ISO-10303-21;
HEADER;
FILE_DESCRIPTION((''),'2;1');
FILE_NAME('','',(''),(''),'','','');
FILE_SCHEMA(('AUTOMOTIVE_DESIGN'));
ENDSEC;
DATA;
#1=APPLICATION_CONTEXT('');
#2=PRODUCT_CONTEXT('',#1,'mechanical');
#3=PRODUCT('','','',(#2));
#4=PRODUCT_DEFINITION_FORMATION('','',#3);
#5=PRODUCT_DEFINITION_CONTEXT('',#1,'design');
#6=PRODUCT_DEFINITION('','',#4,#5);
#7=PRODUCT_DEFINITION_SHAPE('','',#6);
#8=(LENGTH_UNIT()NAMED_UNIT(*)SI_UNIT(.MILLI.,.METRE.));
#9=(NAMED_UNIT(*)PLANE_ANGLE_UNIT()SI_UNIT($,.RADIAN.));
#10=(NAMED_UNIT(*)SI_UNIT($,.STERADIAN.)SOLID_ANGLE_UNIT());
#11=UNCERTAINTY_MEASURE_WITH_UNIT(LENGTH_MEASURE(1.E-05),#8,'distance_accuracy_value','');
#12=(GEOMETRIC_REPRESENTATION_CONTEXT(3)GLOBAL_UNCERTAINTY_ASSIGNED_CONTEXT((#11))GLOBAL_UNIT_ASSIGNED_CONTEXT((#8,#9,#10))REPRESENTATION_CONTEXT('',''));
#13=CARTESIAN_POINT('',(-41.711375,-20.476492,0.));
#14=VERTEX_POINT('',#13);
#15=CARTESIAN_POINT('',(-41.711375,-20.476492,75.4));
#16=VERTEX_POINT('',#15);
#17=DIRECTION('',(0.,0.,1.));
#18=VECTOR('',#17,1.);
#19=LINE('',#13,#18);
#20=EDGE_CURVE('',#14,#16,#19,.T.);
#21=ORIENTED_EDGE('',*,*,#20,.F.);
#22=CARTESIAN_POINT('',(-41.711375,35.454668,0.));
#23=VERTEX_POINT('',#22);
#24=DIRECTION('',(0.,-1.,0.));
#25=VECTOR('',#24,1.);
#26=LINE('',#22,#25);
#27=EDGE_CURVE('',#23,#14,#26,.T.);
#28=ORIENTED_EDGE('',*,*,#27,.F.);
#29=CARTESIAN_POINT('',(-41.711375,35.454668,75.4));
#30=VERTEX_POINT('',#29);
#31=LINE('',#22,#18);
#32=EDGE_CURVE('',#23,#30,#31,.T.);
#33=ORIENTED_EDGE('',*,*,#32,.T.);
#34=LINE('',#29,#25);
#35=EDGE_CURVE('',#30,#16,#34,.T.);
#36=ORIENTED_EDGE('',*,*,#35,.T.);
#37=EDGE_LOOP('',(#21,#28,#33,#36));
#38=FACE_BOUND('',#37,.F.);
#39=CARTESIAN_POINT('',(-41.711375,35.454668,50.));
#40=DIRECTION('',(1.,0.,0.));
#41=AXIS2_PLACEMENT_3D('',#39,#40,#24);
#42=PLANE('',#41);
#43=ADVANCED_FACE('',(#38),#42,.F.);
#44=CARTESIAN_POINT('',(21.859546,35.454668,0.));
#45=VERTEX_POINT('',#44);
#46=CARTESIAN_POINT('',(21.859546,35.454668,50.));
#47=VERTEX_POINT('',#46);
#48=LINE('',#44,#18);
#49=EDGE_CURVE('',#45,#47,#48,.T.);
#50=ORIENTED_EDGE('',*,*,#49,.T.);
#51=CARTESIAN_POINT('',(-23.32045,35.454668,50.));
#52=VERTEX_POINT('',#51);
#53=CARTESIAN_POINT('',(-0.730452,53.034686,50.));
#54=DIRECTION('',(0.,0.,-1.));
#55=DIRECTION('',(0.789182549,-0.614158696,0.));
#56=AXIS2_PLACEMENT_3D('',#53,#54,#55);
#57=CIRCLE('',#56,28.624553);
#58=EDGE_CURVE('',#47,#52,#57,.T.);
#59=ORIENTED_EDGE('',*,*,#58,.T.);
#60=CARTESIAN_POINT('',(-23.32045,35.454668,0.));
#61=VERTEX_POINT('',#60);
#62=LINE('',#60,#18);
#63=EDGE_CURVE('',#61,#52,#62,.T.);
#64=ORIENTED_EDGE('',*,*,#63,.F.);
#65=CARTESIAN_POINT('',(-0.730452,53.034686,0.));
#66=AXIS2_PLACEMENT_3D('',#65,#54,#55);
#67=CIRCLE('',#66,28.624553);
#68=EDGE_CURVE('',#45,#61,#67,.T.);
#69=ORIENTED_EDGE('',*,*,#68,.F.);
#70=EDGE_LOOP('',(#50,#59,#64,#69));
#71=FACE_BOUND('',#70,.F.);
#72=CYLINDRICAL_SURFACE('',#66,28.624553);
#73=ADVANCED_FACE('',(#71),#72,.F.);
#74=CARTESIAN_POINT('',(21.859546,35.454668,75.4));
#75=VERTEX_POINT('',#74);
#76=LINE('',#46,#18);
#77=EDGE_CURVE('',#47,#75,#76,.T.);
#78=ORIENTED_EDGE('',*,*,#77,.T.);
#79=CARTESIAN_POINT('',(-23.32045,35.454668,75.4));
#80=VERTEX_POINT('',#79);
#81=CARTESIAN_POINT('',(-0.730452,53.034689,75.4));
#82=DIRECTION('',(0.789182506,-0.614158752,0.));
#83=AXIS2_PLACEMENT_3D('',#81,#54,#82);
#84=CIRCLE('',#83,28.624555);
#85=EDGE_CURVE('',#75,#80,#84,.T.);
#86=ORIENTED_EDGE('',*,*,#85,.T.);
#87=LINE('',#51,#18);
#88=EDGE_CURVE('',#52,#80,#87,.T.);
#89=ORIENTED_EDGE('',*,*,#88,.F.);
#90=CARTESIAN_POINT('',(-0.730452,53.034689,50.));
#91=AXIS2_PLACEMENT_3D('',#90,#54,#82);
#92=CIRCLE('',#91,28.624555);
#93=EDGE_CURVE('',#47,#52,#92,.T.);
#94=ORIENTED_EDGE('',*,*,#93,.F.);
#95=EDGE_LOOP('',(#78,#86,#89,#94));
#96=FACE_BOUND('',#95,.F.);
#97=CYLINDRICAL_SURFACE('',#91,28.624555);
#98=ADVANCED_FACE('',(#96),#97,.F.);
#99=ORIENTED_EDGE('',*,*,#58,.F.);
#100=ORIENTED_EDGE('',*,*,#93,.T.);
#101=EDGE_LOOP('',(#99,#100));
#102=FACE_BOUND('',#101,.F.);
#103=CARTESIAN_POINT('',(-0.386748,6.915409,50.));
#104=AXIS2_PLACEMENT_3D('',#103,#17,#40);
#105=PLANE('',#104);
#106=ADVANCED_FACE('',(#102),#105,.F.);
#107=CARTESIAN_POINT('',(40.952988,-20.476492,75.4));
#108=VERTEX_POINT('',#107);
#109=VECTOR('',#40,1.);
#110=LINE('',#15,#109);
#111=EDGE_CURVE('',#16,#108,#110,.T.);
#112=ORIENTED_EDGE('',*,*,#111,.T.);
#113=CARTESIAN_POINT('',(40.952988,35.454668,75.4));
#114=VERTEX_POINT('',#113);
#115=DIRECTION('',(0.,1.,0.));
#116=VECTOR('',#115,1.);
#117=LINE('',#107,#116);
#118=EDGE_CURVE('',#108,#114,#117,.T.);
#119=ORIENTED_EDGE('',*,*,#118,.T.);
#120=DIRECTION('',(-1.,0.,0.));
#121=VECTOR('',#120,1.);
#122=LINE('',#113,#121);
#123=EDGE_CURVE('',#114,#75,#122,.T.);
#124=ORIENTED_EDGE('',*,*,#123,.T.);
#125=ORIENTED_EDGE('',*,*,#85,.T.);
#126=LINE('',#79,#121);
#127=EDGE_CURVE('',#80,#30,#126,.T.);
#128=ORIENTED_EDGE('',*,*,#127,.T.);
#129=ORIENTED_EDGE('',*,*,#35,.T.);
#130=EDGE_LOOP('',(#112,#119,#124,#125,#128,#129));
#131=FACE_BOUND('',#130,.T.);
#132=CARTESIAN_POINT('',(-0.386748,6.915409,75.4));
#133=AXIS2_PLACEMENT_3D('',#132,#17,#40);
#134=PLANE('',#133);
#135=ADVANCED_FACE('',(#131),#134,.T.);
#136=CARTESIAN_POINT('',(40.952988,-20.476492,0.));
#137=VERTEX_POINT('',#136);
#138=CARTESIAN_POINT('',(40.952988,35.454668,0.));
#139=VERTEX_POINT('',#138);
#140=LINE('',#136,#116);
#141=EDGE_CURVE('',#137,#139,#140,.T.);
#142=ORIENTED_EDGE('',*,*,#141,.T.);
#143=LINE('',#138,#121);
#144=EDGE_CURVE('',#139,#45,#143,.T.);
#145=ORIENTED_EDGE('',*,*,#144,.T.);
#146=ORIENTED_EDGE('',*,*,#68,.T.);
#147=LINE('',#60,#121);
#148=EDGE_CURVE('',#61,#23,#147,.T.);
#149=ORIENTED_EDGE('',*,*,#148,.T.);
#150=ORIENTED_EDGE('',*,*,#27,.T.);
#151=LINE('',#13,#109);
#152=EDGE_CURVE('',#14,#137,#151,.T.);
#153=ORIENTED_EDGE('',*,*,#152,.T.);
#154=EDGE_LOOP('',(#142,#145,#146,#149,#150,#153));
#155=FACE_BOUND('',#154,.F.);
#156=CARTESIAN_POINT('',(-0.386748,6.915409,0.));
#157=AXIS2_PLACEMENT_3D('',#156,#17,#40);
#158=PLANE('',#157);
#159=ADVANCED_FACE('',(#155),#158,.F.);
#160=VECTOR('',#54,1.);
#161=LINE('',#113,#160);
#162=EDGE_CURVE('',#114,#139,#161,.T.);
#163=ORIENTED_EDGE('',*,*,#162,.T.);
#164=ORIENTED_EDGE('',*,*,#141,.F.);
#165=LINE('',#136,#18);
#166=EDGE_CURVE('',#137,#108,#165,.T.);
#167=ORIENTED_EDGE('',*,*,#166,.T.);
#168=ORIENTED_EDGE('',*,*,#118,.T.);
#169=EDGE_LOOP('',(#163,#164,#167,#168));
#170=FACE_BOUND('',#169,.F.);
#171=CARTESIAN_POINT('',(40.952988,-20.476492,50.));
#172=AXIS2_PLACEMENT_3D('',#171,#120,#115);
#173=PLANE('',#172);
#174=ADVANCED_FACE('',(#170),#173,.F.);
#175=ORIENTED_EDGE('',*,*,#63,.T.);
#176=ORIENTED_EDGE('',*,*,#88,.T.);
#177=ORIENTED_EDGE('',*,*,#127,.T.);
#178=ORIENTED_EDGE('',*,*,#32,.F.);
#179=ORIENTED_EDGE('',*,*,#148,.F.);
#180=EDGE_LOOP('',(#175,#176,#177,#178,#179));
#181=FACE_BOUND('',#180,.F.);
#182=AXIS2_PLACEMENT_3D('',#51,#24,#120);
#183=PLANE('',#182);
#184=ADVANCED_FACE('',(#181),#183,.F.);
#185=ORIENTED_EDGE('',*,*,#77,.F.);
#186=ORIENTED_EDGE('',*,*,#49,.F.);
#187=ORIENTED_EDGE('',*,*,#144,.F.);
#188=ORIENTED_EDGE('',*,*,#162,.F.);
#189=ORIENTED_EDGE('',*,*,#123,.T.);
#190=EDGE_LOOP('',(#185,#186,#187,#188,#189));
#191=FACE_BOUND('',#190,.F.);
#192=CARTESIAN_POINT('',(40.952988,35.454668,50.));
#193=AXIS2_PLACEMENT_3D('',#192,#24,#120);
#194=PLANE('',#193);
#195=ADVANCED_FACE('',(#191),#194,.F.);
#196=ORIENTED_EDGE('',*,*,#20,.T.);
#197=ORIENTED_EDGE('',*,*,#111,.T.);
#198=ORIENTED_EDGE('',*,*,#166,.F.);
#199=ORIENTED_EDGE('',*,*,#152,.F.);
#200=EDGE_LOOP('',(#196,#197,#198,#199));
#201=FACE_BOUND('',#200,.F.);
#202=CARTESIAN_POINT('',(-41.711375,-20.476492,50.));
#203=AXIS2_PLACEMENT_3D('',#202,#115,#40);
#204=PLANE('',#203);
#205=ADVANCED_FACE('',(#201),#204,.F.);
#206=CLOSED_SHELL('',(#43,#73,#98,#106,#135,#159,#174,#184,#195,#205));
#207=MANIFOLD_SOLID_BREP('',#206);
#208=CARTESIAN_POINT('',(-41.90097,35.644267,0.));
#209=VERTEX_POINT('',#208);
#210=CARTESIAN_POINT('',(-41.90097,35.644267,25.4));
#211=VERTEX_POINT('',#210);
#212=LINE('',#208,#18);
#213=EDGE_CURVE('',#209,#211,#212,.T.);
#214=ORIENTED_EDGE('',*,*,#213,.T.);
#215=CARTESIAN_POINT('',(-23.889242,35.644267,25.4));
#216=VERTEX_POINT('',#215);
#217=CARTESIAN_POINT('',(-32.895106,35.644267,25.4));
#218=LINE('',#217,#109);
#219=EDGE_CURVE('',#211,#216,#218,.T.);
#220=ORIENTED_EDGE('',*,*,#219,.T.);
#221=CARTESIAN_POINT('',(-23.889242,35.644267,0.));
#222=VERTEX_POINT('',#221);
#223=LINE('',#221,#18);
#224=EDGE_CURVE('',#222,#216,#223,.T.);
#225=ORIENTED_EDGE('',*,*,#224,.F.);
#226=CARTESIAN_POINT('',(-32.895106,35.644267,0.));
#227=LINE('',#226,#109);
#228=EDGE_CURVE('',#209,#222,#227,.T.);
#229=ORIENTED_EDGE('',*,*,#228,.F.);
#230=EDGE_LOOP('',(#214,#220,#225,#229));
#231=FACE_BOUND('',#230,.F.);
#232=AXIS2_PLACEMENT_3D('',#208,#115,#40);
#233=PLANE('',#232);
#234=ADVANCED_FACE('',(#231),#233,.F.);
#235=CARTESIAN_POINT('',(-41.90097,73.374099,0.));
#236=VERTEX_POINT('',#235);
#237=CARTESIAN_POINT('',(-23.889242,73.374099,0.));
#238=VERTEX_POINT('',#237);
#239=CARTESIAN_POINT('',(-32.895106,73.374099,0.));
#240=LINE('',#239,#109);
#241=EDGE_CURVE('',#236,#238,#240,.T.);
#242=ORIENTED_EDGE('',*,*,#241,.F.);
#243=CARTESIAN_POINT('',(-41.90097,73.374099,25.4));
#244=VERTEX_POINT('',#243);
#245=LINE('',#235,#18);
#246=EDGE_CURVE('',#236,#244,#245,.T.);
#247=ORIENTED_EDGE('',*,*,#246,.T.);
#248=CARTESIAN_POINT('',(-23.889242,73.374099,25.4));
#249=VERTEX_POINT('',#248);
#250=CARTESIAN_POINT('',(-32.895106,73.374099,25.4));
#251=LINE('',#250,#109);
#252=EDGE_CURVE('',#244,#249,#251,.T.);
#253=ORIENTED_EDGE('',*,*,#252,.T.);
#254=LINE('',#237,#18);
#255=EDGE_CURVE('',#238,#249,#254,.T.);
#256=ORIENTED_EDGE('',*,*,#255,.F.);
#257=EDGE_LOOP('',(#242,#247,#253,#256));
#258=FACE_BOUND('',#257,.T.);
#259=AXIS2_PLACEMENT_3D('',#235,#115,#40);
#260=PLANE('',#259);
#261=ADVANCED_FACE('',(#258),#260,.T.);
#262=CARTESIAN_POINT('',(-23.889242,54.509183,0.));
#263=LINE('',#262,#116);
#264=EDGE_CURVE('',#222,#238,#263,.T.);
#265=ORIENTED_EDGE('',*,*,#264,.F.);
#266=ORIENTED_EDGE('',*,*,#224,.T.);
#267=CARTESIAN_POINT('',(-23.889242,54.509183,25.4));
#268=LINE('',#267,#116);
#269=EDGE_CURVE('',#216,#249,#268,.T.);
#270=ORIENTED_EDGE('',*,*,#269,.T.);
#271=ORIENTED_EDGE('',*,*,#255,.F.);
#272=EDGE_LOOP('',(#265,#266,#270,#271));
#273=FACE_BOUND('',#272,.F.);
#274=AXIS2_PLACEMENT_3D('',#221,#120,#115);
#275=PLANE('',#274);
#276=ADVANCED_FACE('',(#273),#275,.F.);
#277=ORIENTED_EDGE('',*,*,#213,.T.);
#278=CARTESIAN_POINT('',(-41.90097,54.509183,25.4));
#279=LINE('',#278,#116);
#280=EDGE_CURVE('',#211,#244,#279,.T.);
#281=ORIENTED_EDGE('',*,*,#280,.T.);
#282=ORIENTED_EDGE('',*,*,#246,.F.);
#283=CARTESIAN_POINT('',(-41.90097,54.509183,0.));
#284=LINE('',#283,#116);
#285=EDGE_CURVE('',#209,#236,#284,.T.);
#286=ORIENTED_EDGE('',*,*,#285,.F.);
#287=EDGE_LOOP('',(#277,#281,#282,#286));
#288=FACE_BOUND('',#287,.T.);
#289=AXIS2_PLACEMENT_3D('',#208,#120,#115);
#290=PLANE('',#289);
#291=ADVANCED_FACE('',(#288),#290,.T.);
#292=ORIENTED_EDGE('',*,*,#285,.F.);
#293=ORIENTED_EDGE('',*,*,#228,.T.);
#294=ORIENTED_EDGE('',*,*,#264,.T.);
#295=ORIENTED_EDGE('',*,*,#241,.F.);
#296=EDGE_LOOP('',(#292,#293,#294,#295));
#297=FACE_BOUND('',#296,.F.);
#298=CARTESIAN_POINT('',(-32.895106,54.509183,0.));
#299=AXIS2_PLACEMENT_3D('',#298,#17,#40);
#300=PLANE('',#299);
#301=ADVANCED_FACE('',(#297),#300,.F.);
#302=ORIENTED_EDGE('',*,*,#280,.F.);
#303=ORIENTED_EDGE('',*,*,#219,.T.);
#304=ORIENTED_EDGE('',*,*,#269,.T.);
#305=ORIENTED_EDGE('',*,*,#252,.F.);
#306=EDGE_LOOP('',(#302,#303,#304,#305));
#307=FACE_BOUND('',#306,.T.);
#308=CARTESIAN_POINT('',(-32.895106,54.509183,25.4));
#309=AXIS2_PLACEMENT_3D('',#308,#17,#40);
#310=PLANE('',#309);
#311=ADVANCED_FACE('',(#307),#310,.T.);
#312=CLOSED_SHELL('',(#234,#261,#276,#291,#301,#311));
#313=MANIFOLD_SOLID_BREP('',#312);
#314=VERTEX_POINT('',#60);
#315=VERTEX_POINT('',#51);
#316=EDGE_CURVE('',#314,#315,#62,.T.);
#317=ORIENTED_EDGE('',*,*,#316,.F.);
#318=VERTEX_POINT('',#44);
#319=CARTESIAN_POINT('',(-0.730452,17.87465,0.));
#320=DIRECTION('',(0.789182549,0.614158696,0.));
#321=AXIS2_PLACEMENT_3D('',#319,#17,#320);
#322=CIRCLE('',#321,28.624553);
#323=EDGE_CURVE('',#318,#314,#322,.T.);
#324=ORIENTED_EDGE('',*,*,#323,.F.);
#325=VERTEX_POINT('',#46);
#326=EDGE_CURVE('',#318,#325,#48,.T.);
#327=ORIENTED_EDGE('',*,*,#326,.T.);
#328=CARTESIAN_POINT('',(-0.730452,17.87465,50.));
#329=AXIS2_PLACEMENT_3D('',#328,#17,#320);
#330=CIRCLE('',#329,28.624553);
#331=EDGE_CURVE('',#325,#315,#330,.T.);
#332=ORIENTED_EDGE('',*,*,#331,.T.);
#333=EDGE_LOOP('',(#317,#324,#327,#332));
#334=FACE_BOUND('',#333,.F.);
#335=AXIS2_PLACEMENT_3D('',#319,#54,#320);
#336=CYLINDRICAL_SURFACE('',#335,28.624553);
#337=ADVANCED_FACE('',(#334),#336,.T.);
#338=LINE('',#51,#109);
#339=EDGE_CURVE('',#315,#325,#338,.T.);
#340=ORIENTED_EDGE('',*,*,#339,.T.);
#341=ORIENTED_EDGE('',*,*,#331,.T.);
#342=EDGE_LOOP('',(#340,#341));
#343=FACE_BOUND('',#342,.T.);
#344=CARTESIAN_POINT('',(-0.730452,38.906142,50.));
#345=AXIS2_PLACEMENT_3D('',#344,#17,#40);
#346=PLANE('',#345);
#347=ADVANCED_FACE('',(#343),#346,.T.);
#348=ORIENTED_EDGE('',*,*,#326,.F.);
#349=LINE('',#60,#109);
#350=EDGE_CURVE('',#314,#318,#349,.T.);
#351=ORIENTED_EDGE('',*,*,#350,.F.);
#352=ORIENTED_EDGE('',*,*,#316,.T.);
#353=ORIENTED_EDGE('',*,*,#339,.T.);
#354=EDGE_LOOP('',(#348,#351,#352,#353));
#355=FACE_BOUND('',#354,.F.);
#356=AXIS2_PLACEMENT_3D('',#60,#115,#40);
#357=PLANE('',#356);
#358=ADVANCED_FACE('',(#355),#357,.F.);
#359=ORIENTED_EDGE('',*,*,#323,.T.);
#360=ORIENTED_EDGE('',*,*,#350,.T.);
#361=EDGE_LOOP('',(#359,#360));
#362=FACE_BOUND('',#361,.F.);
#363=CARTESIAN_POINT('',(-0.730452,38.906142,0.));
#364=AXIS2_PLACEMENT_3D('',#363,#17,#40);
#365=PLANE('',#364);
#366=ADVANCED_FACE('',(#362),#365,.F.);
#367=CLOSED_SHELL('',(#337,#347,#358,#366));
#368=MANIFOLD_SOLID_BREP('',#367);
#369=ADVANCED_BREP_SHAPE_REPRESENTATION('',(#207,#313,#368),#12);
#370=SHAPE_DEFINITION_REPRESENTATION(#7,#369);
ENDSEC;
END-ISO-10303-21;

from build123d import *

# Parameters (mm, degrees)
F1_DEPTH = 50
F2_W     = 18.011728
F2_H     = 37.729833
F3_DEPTH = 25.4


with BuildPart() as f1:
    # F0 (on Top) → F1 (new body)
    with BuildSketch(Plane.XY):
        with BuildLine():
            Line((-23.32045, 35.454668), (-41.711375, 35.454668))
            Line((-41.711375, 35.454668), (-41.711375, -20.476492))
            Line((-41.711375, -20.476492), (40.952988, -20.476492))
            Line((40.952988, -20.476492), (40.952988, 35.454668))
            Line((40.952988, 35.454668), (21.859546, 35.454668))
            ThreePointArc((21.859546, 35.454668), (-0.730452, 24.410133), (-23.32045, 35.454668))
        make_face()
        with BuildLine():
            ThreePointArc((21.859546, 35.454668), (-0.730452, 46.499203), (-23.32045, 35.454668))
            Line((-23.32045, 35.454668), (21.859546, 35.454668))
        make_face()
    extrude(amount=F1_DEPTH)

    # F1_face (on face) + F2 (on Top) → F3 (join)
    with BuildSketch(Plane(origin=(-0.350598, 5.578786, 50), x_dir=(1, 0, 0), z_dir=(0, 0, 1))):
        with BuildLine():
            Line((-22.969852, 29.875882), (-41.360777, 29.875882))
            Line((-41.360777, 29.875882), (-41.360777, -26.055278))
            Line((-41.360777, -26.055278), (41.303586, -26.055278))
            Line((41.303586, -26.055278), (41.303586, 29.875882))
            Line((41.303586, 29.875882), (22.210144, 29.875882))
            ThreePointArc((22.210144, 29.875882), (-0.379854, 18.831348), (-22.969852, 29.875882))
        make_face()
    with BuildSketch(Plane.XY):
        with Locations((-32.895106, 54.509183)):
            Rectangle(F2_W, F2_H)
    extrude(amount=F3_DEPTH)


solid = f1.part
